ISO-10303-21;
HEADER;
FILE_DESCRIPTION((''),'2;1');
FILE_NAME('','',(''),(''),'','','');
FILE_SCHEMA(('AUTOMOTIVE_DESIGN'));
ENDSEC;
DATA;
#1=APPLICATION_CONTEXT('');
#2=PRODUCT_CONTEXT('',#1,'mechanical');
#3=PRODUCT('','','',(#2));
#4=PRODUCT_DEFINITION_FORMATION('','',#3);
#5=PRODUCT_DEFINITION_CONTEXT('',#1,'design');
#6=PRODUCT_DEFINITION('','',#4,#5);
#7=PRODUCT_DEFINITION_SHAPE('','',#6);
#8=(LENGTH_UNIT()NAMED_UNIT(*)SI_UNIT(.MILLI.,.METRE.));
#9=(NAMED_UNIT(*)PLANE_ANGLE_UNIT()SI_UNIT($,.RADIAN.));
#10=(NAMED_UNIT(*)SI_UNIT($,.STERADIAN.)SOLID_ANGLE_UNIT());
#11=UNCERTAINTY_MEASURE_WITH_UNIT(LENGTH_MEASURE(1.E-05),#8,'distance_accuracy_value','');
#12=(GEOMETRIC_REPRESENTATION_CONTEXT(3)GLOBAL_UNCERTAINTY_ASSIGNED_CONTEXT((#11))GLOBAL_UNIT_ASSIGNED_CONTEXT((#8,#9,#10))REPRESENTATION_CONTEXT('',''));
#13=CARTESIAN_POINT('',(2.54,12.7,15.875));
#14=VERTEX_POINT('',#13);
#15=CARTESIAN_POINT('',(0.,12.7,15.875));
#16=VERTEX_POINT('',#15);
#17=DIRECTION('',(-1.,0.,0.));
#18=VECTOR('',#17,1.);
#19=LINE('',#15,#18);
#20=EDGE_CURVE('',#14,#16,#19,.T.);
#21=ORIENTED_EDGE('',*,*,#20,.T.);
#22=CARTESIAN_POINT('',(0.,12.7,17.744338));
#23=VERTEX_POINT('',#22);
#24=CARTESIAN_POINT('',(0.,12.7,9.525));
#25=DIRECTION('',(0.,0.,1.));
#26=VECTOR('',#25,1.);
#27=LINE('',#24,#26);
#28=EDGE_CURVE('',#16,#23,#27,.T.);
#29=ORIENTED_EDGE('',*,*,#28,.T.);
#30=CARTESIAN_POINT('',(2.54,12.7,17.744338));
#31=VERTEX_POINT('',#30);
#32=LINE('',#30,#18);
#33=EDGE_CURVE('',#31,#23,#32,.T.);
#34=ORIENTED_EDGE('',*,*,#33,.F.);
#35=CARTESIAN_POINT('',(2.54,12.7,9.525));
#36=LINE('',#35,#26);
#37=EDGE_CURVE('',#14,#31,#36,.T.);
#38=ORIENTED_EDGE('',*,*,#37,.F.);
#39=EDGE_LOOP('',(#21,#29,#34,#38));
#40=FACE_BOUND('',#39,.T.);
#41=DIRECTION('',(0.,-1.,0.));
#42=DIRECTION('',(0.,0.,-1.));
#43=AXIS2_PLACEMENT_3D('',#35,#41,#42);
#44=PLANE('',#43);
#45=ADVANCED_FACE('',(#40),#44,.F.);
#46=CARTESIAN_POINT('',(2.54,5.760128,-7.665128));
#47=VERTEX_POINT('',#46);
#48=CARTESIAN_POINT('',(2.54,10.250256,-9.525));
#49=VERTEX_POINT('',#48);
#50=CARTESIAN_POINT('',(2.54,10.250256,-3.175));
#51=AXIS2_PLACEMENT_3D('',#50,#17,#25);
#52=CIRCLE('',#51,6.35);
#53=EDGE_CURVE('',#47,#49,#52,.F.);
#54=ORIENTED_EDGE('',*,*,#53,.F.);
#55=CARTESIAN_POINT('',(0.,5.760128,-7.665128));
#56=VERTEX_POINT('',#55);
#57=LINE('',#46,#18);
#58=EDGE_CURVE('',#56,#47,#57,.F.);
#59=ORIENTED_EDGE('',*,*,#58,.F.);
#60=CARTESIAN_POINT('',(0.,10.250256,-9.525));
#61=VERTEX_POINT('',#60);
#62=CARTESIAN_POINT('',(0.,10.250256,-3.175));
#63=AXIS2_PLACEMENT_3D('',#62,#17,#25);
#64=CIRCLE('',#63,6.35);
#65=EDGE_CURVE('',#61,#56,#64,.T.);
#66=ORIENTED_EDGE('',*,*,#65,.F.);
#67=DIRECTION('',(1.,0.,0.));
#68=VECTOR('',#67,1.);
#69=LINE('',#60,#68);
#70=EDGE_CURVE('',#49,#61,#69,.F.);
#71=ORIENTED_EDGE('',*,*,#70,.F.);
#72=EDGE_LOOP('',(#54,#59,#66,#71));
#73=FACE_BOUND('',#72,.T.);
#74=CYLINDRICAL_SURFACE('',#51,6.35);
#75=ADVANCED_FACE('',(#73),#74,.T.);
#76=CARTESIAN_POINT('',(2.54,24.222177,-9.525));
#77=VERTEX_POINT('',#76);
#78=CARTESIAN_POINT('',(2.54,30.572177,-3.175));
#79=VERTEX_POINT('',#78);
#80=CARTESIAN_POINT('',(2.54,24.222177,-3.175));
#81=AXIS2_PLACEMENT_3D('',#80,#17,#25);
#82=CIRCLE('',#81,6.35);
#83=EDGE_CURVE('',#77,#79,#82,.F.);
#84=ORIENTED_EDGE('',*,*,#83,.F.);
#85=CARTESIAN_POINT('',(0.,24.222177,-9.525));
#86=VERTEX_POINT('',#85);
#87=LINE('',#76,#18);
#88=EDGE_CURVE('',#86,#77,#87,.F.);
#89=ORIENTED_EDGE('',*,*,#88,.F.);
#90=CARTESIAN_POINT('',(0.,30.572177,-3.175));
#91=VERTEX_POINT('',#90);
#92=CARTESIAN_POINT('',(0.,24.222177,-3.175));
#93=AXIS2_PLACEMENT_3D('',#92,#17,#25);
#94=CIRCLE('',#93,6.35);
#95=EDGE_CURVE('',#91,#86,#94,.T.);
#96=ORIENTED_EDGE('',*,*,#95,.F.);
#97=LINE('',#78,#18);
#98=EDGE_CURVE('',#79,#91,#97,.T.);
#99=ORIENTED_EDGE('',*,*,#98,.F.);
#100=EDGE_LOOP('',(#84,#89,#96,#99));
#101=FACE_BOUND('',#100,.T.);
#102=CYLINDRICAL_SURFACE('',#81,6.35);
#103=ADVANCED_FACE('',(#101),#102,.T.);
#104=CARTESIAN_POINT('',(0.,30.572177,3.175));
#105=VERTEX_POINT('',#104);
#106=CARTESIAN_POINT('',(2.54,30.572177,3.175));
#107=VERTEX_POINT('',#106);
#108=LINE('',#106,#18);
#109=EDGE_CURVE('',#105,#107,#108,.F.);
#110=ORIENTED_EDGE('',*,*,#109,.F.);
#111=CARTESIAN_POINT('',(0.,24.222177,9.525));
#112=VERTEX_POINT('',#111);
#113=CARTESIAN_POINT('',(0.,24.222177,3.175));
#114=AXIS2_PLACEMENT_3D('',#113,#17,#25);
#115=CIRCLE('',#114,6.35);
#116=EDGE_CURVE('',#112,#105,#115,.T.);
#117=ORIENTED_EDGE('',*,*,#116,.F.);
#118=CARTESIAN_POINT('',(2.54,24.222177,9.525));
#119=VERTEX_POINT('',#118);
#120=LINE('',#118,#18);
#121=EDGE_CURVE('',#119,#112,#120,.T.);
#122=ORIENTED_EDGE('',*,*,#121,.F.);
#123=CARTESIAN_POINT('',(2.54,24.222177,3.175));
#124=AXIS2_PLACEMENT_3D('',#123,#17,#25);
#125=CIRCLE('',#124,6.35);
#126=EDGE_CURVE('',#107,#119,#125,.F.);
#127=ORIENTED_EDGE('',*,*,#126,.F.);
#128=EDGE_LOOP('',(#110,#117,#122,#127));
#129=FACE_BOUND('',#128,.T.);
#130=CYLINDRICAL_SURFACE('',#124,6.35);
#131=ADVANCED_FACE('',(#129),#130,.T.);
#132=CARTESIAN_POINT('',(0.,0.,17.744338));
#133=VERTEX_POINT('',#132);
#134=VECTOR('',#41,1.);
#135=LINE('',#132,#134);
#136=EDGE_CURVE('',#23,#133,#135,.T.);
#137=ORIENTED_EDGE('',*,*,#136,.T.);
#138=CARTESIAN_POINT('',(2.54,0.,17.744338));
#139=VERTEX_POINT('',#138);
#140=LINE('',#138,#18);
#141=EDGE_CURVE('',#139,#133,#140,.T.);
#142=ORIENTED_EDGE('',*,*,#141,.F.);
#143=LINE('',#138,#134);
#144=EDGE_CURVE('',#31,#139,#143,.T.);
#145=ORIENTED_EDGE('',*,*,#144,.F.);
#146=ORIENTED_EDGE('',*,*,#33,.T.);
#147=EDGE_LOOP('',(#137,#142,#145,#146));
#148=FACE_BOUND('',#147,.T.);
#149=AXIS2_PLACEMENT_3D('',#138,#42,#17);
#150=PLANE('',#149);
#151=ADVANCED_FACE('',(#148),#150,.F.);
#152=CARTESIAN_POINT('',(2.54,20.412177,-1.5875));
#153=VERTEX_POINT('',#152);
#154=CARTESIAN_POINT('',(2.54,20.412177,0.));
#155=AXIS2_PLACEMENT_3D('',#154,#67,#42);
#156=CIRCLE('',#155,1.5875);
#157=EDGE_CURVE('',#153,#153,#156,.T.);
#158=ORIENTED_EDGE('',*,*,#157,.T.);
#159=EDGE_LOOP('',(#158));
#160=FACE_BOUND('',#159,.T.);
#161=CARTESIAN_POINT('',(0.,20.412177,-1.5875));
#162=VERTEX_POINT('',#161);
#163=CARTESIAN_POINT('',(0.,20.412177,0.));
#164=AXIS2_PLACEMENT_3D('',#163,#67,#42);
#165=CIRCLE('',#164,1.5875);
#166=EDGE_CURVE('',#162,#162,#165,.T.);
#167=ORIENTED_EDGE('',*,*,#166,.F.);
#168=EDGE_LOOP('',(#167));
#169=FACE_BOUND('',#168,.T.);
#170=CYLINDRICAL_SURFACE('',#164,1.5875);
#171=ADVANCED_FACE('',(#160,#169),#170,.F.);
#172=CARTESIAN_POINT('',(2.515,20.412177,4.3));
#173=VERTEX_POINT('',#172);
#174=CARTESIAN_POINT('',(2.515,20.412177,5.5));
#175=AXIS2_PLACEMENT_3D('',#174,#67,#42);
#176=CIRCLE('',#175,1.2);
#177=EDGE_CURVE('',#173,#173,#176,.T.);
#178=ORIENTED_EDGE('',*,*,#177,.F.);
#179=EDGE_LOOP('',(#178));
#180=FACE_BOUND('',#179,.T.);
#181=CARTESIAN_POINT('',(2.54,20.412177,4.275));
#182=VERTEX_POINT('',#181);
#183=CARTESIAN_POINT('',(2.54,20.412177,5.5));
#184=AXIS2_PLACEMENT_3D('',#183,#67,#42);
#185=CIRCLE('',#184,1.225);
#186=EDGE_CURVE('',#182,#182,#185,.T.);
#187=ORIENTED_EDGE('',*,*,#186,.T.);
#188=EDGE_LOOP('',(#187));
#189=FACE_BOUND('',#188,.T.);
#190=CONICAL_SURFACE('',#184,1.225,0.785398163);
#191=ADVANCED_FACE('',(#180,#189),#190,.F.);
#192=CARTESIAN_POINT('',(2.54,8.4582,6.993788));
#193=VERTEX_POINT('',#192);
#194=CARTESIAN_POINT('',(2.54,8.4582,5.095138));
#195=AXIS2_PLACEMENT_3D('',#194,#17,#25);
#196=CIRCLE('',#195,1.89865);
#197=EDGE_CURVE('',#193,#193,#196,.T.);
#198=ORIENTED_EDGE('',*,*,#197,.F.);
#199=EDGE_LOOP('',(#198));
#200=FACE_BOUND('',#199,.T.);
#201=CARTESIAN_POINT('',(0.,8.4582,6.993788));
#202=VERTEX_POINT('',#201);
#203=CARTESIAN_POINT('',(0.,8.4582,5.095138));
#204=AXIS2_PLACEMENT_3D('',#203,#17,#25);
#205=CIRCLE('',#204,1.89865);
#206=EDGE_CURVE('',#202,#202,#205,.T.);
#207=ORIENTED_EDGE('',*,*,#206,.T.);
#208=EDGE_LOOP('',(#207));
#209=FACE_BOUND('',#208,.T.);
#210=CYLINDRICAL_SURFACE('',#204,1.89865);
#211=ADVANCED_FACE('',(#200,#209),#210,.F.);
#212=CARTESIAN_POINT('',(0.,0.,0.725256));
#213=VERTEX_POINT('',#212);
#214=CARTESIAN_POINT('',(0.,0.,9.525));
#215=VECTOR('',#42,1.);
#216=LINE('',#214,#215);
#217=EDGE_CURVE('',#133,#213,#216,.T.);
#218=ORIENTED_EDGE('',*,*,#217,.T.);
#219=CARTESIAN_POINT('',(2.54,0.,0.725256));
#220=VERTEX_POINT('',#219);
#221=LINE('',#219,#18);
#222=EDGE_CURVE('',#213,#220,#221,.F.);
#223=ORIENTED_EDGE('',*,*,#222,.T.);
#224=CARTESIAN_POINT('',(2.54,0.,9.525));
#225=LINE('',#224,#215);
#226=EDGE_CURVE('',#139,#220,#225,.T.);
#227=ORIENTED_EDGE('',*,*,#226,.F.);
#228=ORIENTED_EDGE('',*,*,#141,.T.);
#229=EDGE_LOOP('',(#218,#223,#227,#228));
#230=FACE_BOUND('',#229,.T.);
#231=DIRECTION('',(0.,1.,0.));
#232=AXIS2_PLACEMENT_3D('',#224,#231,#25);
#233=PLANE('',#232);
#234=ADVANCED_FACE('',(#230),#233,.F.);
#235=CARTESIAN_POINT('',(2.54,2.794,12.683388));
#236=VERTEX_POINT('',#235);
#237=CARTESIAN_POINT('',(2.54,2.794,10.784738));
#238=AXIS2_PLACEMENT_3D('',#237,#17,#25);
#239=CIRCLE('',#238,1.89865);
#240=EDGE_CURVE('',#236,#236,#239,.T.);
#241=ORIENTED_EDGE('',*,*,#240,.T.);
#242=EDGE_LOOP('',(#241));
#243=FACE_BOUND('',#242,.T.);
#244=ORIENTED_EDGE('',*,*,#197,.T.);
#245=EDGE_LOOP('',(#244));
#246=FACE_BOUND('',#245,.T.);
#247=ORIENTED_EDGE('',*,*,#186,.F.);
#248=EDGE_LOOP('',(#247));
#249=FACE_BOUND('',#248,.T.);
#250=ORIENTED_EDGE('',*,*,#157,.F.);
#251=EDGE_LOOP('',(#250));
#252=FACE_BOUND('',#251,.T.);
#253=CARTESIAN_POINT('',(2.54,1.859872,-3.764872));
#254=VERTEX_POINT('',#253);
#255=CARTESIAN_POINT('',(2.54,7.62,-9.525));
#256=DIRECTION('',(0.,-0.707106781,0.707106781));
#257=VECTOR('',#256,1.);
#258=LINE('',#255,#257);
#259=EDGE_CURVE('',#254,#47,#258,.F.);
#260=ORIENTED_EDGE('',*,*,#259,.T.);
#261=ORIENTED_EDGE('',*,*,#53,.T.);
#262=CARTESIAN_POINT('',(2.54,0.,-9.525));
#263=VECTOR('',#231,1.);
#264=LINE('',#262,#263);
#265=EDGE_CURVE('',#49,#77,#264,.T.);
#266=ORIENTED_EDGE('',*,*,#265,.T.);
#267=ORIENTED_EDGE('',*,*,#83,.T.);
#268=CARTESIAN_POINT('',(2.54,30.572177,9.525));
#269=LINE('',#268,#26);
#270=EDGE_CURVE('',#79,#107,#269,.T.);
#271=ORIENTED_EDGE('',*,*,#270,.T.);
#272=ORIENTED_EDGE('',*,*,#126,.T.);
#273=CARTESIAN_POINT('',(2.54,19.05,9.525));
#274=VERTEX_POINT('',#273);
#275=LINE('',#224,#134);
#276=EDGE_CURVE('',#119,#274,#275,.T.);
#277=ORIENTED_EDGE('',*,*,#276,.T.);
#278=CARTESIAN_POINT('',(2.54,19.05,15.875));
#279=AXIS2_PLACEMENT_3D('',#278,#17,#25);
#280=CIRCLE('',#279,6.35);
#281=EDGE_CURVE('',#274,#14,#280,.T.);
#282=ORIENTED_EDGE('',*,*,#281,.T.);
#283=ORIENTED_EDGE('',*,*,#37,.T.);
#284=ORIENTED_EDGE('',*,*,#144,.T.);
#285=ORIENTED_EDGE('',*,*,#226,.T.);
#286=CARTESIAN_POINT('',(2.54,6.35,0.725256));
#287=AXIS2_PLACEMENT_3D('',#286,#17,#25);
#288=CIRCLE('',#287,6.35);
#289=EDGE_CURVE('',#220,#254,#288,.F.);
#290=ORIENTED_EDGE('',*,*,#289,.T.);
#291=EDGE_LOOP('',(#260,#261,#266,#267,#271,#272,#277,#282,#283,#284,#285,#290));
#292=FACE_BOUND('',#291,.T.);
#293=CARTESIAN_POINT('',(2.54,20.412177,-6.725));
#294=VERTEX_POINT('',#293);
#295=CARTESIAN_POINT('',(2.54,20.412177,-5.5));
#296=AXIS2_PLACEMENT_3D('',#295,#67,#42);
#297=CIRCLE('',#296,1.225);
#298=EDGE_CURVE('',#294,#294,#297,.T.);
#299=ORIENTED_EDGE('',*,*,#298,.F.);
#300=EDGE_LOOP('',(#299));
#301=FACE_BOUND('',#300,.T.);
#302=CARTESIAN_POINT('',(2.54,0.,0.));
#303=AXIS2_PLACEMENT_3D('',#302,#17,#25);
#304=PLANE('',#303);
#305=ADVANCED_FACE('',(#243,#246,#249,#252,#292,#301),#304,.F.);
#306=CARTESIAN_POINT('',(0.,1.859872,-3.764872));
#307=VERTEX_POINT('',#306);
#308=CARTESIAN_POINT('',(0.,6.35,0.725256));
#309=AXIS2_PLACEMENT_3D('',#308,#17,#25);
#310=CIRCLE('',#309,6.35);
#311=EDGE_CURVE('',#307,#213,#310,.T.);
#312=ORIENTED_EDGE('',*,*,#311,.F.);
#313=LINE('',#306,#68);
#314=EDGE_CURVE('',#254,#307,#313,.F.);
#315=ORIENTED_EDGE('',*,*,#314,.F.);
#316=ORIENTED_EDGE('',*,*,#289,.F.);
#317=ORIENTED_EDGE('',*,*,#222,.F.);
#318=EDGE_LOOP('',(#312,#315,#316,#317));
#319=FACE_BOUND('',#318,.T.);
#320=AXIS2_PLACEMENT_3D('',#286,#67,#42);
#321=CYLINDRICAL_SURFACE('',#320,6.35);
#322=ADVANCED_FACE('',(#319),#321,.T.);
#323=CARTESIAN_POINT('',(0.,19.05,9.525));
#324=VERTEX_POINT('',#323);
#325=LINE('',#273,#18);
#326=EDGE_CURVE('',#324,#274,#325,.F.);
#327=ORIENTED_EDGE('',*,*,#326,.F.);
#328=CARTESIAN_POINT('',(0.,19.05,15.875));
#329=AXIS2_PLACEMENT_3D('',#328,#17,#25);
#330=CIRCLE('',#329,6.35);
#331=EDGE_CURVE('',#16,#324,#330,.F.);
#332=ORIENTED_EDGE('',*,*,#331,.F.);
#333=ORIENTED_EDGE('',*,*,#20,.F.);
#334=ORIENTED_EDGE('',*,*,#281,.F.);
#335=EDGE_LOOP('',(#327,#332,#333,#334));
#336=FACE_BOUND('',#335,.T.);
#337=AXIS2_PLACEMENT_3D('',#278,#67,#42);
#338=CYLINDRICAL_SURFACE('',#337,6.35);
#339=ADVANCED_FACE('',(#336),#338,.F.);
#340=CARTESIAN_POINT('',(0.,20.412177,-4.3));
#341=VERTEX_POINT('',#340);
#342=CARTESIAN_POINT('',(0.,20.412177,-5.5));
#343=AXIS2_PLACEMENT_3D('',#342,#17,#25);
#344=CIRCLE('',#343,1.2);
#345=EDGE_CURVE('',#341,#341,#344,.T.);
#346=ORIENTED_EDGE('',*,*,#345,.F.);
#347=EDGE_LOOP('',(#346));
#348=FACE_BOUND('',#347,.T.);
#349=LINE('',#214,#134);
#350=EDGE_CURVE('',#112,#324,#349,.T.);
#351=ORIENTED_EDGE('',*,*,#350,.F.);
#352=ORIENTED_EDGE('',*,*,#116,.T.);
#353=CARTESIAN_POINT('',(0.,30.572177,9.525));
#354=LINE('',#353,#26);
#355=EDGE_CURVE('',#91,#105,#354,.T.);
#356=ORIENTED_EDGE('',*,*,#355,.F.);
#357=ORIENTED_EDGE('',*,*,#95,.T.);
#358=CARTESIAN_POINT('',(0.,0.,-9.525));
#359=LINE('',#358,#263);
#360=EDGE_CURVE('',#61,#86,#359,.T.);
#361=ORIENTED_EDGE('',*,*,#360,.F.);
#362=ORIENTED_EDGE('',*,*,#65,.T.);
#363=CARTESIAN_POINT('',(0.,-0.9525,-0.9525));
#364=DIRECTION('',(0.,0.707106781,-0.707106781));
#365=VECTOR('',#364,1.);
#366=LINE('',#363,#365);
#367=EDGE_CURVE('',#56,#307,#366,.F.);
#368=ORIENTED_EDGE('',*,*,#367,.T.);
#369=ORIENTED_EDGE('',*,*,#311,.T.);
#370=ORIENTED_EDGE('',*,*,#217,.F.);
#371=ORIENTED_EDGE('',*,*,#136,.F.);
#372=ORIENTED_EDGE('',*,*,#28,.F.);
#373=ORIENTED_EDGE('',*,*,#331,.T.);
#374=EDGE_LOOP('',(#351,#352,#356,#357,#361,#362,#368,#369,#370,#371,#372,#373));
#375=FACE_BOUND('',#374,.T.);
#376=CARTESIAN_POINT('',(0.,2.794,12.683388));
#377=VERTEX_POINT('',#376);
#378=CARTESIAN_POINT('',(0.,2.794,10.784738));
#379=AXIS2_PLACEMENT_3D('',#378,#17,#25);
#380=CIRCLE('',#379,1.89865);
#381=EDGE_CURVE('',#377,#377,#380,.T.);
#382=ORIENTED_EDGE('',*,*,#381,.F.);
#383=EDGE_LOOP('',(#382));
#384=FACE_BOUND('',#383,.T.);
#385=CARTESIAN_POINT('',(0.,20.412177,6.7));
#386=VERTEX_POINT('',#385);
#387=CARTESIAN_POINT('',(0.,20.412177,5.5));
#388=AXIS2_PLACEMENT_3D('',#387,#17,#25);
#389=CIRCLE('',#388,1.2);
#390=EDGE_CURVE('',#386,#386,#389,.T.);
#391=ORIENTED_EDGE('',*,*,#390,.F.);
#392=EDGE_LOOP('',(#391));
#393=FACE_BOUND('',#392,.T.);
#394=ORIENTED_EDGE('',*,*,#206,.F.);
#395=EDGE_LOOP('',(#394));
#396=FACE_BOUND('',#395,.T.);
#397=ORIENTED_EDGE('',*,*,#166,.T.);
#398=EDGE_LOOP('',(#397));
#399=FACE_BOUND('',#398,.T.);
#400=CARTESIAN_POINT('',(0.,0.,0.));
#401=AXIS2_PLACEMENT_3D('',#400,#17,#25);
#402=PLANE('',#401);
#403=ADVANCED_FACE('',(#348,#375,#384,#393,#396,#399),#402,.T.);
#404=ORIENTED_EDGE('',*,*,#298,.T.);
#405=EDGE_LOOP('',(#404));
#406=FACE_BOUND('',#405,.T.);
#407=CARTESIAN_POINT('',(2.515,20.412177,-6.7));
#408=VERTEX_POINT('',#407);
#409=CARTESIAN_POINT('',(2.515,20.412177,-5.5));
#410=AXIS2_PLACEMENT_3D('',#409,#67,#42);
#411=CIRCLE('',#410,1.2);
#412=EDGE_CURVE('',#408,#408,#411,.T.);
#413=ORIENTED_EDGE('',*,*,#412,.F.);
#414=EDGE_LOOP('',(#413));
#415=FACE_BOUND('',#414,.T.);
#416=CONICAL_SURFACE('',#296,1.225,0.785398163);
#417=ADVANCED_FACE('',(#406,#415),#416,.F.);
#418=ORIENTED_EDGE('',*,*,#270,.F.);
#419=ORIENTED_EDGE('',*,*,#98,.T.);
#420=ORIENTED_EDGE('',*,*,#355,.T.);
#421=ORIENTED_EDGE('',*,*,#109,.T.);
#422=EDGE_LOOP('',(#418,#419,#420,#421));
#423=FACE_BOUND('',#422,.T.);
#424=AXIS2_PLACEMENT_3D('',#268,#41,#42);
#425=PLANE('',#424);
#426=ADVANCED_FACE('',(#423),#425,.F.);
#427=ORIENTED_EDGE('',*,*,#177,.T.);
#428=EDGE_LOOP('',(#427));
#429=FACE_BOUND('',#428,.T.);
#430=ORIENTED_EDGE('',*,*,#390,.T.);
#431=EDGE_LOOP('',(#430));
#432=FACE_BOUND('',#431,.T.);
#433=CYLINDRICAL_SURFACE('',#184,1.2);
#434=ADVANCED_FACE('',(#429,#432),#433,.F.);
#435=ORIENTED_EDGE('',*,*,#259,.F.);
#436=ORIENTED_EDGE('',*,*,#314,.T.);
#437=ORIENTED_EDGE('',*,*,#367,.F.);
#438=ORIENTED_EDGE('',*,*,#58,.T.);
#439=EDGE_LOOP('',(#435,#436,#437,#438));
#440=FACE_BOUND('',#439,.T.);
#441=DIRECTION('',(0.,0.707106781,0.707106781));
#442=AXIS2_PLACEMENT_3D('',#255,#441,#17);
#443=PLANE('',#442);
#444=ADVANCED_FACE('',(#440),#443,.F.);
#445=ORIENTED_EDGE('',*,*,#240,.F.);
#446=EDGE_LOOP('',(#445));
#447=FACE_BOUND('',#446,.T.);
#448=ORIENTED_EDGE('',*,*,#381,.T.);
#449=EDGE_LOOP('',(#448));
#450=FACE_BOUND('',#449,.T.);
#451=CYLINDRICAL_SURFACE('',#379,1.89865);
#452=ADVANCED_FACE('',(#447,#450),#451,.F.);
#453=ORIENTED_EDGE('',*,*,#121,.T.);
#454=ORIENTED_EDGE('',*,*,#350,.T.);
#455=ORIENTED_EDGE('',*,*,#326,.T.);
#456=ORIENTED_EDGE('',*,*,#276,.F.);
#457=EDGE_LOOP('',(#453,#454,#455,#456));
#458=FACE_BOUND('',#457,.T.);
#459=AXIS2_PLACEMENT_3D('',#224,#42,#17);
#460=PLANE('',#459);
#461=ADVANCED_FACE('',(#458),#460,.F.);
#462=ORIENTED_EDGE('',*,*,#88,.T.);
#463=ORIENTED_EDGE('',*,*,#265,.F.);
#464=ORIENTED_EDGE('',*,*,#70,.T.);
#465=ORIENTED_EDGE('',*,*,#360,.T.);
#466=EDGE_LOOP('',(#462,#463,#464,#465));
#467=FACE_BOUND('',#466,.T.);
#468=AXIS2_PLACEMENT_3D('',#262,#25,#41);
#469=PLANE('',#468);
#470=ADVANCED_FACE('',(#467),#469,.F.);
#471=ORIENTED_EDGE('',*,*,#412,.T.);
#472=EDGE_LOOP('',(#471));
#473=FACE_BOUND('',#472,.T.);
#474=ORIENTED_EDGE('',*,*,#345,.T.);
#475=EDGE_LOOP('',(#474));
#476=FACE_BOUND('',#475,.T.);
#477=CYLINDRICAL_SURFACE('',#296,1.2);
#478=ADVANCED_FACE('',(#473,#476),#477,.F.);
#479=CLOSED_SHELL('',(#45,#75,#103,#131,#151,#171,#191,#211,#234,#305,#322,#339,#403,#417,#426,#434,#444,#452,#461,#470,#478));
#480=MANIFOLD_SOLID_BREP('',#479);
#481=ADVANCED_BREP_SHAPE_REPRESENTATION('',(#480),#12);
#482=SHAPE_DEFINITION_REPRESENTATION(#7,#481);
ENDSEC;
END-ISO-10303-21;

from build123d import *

# Parameters (mm, degrees)
SKETCH1_W                      = 19.05
SKETCH1_H                      = 30.5721766
BOSS_EXTRUDE1_DEPTH            = 2.54
SKETCH2_R                      = 1.5875
CUT_EXTRUDE1_DEPTH             = 33.122191816
M2_CLEARANCE_HOLE1_D           = 2.4
M2_CLEARANCE_HOLE1_DEPTH       = 12.0000014
M2_CLEARANCE_HOLE1_CSINK_D     = 2.45
M2_CLEARANCE_HOLE1_CSINK_ANGLE = 90
M2_CLEARANCE_HOLE1_TIP         = 0.721032743
SKETCH6_W                      = 8.2193384
SKETCH6_H                      = 12.7
BOSS_EXTRUDE2_DEPTH            = 2.54
CHAMFER1_SIZE                  = 7.62
FILLET2_R                      = 6.35
F_6_CLEARANCE_HOLE1_D          = 3.7973


with BuildPart() as part:
    # Sketch1 → Boss-Extrude1 (new body)
    with BuildSketch(Plane(origin=(0, 0, 0), x_dir=(0, 0, -1), z_dir=(1, 0, 0))):
        with Locations((0, 15.2860883)):
            Rectangle(SKETCH1_W, SKETCH1_H)
    extrude(amount=BOSS_EXTRUDE1_DEPTH)

    # Sketch2 → Cut-Extrude1 (cut, through all)
    with BuildSketch(Plane(origin=(2.54, 0, 0), x_dir=(0, 0, -1), z_dir=(1, 0, 0))):
        with Locations((0, 20.4121766)):
            Circle(SKETCH2_R)
    extrude(amount=-CUT_EXTRUDE1_DEPTH, mode=Mode.SUBTRACT)

    # M2 Clearance Hole1
    with Locations(Plane(origin=(2.54, 0, 0), x_dir=(0, 0, -1), z_dir=(1, 0, 0))):
        with Locations((-5.5, 20.4121766), (5.5, 20.4121766)):
            CounterSinkHole(M2_CLEARANCE_HOLE1_D / 2, M2_CLEARANCE_HOLE1_CSINK_D / 2, depth=M2_CLEARANCE_HOLE1_DEPTH, counter_sink_angle=M2_CLEARANCE_HOLE1_CSINK_ANGLE)
            with Locations((0, 0, -(M2_CLEARANCE_HOLE1_DEPTH + M2_CLEARANCE_HOLE1_TIP / 2))):  # 118° drill point
                Cone(0, M2_CLEARANCE_HOLE1_D / 2, M2_CLEARANCE_HOLE1_TIP, mode=Mode.SUBTRACT)

    # Sketch6 → Boss-Extrude2 (add)
    with BuildSketch(Plane(origin=(0, 0, 0), x_dir=(0, 0, -1), z_dir=(1, 0, 0))):
        with Locations((-13.6346692, 6.35)):
            Rectangle(SKETCH6_W, SKETCH6_H)
    extrude(amount=BOSS_EXTRUDE2_DEPTH)

    # Chamfer1
    chamfer1_edges = [part.edges().sort_by_distance(p)[0] for p in [
        (1.27, 0, -9.525),
    ]]
    chamfer(chamfer1_edges, length=CHAMFER1_SIZE)

    # Fillet2
    fillet2_edges = [part.edges().sort_by_distance(p)[0] for p in [
        (1.27, 12.7, 9.525),
        (1.27, 7.62, -9.525),
        (1.27, 0, -1.905),
        (1.27, 30.5721766, 9.525),
        (1.27, 30.5721766, -9.525),
    ]]
    fillet(fillet2_edges, radius=FILLET2_R)

    # #6 Clearance Hole1 (through all)
    with Locations(Plane.ZY):
        with Locations((10.7847384, 2.794), (5.0951384, 8.4582)):
            Hole(F_6_CLEARANCE_HOLE1_D / 2)


solid = part.part
